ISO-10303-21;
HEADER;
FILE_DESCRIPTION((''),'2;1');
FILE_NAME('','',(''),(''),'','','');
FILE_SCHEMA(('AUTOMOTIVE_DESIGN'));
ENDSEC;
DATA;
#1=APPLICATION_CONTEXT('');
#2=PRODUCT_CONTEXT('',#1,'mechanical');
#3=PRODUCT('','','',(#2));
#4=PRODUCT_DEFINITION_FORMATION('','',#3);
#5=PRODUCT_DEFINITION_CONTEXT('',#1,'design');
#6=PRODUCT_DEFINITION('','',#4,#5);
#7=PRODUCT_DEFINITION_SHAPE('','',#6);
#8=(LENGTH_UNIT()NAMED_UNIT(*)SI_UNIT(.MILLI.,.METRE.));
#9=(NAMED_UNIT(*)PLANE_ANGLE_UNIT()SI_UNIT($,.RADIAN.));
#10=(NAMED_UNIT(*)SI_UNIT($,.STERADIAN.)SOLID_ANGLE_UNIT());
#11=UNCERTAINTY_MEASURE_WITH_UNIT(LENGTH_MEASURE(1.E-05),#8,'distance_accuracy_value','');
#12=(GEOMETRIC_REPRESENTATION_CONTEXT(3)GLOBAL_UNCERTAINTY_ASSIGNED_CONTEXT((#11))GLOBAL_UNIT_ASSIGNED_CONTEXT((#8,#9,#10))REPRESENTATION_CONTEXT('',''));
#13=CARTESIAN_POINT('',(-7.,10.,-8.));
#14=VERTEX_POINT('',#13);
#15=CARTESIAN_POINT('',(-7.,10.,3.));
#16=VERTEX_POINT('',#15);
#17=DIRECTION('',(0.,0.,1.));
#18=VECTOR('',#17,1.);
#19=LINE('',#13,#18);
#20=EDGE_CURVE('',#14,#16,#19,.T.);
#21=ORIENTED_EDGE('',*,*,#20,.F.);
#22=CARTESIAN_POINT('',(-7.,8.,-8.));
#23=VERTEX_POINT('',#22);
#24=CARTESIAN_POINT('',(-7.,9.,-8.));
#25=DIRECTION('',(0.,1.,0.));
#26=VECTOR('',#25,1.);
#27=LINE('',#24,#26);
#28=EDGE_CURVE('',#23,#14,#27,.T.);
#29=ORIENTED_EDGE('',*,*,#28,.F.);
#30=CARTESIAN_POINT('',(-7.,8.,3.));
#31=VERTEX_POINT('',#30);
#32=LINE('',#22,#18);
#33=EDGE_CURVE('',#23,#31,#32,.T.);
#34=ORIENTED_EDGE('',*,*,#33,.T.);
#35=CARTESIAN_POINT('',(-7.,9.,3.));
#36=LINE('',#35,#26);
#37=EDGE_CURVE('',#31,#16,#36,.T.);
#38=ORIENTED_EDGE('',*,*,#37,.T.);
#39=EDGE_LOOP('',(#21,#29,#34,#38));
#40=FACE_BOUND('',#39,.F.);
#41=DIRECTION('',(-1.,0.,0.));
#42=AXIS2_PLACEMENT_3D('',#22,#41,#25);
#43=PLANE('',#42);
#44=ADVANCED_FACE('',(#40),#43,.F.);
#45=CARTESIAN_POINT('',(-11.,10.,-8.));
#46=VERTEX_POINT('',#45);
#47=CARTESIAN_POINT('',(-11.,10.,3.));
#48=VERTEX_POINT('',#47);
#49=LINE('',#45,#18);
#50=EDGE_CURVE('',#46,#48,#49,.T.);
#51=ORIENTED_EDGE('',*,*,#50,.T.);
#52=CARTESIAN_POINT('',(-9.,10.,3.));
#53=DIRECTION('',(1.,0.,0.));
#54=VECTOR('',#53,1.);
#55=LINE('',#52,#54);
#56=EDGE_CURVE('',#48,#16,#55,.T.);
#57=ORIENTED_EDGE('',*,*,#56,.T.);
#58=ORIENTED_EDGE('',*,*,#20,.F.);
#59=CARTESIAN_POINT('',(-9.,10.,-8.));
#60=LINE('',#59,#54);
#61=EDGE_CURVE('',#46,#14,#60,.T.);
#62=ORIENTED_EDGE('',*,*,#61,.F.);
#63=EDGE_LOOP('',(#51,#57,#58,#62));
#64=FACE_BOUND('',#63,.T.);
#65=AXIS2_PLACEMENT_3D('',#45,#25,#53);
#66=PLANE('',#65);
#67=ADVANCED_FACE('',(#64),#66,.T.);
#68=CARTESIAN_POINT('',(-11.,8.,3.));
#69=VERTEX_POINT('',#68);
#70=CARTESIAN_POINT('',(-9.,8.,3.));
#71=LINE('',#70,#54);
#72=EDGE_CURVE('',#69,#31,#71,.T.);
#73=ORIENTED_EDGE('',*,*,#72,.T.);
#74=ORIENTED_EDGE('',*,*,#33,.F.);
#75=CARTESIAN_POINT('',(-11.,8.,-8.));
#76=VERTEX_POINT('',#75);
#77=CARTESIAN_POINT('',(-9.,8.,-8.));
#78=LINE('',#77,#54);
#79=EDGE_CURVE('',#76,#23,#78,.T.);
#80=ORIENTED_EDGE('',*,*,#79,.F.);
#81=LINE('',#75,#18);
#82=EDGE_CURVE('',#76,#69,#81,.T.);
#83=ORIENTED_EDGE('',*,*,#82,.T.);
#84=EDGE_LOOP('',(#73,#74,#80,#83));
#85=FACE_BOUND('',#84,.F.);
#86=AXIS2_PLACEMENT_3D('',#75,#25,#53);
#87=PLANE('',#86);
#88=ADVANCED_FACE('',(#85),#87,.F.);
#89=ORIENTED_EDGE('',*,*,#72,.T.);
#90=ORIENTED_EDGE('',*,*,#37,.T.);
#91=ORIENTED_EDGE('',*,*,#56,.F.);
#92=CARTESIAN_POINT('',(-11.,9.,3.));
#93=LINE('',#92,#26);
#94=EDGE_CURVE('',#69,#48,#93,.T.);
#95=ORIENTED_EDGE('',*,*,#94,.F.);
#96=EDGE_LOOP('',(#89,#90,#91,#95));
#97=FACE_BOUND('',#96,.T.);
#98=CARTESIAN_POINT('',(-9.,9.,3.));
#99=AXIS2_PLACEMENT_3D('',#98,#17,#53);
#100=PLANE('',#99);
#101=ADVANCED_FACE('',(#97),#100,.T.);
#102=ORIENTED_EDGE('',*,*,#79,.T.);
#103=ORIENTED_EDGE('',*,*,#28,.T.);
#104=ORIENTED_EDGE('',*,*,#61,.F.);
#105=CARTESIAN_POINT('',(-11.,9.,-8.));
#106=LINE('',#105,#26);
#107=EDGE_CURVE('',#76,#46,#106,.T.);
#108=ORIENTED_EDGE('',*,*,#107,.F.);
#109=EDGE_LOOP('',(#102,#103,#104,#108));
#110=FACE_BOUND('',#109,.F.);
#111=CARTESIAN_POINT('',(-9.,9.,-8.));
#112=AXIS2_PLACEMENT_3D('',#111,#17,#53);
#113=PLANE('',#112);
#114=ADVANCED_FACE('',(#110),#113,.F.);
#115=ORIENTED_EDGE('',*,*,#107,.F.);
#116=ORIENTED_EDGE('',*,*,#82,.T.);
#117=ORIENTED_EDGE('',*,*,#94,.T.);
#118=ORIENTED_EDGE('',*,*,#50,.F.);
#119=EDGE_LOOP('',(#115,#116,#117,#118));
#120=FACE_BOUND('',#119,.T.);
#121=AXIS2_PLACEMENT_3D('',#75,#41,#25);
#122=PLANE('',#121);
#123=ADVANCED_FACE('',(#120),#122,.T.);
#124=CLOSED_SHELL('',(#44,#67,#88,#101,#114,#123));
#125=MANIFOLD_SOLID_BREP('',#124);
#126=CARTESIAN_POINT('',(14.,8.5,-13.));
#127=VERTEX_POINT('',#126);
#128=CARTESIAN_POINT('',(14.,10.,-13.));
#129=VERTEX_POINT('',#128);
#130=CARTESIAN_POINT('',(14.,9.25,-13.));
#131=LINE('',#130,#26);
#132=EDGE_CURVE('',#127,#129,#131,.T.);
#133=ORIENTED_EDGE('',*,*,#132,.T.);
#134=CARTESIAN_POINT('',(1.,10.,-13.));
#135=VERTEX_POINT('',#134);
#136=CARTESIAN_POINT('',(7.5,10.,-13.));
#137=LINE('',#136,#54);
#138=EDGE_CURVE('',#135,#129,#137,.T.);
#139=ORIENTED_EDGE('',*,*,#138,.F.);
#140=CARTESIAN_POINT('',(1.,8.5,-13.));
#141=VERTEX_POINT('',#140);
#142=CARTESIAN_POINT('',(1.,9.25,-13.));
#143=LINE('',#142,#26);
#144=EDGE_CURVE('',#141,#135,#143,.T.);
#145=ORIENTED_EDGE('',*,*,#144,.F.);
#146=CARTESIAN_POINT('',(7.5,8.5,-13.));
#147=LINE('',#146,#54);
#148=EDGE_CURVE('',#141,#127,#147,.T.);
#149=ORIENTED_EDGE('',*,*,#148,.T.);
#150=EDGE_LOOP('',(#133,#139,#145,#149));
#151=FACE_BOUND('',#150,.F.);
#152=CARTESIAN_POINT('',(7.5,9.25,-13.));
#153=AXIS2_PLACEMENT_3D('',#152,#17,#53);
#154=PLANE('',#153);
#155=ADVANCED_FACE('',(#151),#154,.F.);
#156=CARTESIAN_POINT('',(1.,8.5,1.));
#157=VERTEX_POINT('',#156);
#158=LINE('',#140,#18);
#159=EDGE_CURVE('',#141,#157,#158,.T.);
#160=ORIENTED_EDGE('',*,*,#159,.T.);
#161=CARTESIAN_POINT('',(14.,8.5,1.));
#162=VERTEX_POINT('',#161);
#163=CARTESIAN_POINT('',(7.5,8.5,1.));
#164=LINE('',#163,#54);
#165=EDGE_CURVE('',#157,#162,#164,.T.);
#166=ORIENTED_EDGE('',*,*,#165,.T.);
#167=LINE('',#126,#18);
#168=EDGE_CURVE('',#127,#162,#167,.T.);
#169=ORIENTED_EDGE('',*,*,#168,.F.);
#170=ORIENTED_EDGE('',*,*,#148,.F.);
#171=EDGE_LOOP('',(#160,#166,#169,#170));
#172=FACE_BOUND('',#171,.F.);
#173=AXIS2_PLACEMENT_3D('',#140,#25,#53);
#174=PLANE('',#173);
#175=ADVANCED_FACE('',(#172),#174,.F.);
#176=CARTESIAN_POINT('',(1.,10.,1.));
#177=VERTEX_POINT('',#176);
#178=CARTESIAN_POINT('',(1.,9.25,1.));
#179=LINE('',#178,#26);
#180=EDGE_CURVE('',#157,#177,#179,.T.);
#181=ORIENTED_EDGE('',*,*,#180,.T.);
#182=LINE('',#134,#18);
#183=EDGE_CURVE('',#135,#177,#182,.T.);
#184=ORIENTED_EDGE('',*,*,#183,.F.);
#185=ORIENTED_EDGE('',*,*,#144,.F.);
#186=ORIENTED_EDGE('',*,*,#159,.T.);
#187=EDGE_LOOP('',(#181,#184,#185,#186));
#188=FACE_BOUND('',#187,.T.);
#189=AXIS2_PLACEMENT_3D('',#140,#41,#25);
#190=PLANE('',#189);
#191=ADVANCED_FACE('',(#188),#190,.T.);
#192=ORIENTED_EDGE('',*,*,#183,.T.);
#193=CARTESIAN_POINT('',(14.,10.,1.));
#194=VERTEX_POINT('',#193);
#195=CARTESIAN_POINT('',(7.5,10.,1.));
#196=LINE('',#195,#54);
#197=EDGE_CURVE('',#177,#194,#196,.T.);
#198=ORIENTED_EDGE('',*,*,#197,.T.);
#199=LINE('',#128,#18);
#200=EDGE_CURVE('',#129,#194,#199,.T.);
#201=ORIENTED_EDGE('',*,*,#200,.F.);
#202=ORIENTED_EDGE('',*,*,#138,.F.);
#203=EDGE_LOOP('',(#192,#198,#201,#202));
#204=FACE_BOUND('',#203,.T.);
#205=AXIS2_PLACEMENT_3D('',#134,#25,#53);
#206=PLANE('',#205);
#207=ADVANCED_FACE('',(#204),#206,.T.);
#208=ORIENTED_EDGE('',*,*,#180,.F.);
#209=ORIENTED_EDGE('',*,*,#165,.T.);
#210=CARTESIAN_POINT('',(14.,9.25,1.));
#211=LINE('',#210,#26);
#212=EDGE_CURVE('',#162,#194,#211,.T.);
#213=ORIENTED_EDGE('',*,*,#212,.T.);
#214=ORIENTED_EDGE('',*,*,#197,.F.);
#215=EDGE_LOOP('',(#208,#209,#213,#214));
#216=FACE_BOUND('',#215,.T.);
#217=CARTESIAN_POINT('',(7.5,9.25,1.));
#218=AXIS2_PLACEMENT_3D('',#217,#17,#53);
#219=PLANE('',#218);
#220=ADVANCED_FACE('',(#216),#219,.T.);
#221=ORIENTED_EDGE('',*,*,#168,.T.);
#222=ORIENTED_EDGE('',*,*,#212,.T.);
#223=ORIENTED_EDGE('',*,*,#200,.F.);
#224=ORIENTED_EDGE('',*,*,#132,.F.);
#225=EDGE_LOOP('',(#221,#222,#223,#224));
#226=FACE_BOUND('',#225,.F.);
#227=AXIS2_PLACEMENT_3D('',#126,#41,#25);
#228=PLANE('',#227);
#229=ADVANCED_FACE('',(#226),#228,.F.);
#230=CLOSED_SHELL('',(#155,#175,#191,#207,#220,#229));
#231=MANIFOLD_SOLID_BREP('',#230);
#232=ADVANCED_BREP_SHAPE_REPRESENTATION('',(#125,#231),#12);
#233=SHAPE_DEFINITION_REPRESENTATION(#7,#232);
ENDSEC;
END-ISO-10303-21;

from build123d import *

# Parameters (mm, degrees)
BOX_W        = 13
BOX_H        = 1.5
BOX_DEPTH    = 14
BOX005_W     = 4
BOX005_H     = 2
BOX005_DEPTH = 11


with BuildPart() as cube:
    # Box → Box (new body)
    with BuildSketch(Plane(origin=(1, 8.5, -13), x_dir=(1, 0, 0), z_dir=(0, 0, 1))):
        with Locations((6.5, 0.75)):
            Rectangle(BOX_W, BOX_H)
    extrude(amount=BOX_DEPTH)


with BuildPart() as fusion006007:
    # Box005 → Box005 (new body)
    with BuildSketch(Plane(origin=(-11, 8, -8), x_dir=(1, 0, 0), z_dir=(0, 0, 1))):
        with Locations((2, 1)):
            Rectangle(BOX005_W, BOX005_H)
    extrude(amount=BOX005_DEPTH)

    # Fusion006007: union Cube
    add(cube.part)


solid = fusion006007.part
